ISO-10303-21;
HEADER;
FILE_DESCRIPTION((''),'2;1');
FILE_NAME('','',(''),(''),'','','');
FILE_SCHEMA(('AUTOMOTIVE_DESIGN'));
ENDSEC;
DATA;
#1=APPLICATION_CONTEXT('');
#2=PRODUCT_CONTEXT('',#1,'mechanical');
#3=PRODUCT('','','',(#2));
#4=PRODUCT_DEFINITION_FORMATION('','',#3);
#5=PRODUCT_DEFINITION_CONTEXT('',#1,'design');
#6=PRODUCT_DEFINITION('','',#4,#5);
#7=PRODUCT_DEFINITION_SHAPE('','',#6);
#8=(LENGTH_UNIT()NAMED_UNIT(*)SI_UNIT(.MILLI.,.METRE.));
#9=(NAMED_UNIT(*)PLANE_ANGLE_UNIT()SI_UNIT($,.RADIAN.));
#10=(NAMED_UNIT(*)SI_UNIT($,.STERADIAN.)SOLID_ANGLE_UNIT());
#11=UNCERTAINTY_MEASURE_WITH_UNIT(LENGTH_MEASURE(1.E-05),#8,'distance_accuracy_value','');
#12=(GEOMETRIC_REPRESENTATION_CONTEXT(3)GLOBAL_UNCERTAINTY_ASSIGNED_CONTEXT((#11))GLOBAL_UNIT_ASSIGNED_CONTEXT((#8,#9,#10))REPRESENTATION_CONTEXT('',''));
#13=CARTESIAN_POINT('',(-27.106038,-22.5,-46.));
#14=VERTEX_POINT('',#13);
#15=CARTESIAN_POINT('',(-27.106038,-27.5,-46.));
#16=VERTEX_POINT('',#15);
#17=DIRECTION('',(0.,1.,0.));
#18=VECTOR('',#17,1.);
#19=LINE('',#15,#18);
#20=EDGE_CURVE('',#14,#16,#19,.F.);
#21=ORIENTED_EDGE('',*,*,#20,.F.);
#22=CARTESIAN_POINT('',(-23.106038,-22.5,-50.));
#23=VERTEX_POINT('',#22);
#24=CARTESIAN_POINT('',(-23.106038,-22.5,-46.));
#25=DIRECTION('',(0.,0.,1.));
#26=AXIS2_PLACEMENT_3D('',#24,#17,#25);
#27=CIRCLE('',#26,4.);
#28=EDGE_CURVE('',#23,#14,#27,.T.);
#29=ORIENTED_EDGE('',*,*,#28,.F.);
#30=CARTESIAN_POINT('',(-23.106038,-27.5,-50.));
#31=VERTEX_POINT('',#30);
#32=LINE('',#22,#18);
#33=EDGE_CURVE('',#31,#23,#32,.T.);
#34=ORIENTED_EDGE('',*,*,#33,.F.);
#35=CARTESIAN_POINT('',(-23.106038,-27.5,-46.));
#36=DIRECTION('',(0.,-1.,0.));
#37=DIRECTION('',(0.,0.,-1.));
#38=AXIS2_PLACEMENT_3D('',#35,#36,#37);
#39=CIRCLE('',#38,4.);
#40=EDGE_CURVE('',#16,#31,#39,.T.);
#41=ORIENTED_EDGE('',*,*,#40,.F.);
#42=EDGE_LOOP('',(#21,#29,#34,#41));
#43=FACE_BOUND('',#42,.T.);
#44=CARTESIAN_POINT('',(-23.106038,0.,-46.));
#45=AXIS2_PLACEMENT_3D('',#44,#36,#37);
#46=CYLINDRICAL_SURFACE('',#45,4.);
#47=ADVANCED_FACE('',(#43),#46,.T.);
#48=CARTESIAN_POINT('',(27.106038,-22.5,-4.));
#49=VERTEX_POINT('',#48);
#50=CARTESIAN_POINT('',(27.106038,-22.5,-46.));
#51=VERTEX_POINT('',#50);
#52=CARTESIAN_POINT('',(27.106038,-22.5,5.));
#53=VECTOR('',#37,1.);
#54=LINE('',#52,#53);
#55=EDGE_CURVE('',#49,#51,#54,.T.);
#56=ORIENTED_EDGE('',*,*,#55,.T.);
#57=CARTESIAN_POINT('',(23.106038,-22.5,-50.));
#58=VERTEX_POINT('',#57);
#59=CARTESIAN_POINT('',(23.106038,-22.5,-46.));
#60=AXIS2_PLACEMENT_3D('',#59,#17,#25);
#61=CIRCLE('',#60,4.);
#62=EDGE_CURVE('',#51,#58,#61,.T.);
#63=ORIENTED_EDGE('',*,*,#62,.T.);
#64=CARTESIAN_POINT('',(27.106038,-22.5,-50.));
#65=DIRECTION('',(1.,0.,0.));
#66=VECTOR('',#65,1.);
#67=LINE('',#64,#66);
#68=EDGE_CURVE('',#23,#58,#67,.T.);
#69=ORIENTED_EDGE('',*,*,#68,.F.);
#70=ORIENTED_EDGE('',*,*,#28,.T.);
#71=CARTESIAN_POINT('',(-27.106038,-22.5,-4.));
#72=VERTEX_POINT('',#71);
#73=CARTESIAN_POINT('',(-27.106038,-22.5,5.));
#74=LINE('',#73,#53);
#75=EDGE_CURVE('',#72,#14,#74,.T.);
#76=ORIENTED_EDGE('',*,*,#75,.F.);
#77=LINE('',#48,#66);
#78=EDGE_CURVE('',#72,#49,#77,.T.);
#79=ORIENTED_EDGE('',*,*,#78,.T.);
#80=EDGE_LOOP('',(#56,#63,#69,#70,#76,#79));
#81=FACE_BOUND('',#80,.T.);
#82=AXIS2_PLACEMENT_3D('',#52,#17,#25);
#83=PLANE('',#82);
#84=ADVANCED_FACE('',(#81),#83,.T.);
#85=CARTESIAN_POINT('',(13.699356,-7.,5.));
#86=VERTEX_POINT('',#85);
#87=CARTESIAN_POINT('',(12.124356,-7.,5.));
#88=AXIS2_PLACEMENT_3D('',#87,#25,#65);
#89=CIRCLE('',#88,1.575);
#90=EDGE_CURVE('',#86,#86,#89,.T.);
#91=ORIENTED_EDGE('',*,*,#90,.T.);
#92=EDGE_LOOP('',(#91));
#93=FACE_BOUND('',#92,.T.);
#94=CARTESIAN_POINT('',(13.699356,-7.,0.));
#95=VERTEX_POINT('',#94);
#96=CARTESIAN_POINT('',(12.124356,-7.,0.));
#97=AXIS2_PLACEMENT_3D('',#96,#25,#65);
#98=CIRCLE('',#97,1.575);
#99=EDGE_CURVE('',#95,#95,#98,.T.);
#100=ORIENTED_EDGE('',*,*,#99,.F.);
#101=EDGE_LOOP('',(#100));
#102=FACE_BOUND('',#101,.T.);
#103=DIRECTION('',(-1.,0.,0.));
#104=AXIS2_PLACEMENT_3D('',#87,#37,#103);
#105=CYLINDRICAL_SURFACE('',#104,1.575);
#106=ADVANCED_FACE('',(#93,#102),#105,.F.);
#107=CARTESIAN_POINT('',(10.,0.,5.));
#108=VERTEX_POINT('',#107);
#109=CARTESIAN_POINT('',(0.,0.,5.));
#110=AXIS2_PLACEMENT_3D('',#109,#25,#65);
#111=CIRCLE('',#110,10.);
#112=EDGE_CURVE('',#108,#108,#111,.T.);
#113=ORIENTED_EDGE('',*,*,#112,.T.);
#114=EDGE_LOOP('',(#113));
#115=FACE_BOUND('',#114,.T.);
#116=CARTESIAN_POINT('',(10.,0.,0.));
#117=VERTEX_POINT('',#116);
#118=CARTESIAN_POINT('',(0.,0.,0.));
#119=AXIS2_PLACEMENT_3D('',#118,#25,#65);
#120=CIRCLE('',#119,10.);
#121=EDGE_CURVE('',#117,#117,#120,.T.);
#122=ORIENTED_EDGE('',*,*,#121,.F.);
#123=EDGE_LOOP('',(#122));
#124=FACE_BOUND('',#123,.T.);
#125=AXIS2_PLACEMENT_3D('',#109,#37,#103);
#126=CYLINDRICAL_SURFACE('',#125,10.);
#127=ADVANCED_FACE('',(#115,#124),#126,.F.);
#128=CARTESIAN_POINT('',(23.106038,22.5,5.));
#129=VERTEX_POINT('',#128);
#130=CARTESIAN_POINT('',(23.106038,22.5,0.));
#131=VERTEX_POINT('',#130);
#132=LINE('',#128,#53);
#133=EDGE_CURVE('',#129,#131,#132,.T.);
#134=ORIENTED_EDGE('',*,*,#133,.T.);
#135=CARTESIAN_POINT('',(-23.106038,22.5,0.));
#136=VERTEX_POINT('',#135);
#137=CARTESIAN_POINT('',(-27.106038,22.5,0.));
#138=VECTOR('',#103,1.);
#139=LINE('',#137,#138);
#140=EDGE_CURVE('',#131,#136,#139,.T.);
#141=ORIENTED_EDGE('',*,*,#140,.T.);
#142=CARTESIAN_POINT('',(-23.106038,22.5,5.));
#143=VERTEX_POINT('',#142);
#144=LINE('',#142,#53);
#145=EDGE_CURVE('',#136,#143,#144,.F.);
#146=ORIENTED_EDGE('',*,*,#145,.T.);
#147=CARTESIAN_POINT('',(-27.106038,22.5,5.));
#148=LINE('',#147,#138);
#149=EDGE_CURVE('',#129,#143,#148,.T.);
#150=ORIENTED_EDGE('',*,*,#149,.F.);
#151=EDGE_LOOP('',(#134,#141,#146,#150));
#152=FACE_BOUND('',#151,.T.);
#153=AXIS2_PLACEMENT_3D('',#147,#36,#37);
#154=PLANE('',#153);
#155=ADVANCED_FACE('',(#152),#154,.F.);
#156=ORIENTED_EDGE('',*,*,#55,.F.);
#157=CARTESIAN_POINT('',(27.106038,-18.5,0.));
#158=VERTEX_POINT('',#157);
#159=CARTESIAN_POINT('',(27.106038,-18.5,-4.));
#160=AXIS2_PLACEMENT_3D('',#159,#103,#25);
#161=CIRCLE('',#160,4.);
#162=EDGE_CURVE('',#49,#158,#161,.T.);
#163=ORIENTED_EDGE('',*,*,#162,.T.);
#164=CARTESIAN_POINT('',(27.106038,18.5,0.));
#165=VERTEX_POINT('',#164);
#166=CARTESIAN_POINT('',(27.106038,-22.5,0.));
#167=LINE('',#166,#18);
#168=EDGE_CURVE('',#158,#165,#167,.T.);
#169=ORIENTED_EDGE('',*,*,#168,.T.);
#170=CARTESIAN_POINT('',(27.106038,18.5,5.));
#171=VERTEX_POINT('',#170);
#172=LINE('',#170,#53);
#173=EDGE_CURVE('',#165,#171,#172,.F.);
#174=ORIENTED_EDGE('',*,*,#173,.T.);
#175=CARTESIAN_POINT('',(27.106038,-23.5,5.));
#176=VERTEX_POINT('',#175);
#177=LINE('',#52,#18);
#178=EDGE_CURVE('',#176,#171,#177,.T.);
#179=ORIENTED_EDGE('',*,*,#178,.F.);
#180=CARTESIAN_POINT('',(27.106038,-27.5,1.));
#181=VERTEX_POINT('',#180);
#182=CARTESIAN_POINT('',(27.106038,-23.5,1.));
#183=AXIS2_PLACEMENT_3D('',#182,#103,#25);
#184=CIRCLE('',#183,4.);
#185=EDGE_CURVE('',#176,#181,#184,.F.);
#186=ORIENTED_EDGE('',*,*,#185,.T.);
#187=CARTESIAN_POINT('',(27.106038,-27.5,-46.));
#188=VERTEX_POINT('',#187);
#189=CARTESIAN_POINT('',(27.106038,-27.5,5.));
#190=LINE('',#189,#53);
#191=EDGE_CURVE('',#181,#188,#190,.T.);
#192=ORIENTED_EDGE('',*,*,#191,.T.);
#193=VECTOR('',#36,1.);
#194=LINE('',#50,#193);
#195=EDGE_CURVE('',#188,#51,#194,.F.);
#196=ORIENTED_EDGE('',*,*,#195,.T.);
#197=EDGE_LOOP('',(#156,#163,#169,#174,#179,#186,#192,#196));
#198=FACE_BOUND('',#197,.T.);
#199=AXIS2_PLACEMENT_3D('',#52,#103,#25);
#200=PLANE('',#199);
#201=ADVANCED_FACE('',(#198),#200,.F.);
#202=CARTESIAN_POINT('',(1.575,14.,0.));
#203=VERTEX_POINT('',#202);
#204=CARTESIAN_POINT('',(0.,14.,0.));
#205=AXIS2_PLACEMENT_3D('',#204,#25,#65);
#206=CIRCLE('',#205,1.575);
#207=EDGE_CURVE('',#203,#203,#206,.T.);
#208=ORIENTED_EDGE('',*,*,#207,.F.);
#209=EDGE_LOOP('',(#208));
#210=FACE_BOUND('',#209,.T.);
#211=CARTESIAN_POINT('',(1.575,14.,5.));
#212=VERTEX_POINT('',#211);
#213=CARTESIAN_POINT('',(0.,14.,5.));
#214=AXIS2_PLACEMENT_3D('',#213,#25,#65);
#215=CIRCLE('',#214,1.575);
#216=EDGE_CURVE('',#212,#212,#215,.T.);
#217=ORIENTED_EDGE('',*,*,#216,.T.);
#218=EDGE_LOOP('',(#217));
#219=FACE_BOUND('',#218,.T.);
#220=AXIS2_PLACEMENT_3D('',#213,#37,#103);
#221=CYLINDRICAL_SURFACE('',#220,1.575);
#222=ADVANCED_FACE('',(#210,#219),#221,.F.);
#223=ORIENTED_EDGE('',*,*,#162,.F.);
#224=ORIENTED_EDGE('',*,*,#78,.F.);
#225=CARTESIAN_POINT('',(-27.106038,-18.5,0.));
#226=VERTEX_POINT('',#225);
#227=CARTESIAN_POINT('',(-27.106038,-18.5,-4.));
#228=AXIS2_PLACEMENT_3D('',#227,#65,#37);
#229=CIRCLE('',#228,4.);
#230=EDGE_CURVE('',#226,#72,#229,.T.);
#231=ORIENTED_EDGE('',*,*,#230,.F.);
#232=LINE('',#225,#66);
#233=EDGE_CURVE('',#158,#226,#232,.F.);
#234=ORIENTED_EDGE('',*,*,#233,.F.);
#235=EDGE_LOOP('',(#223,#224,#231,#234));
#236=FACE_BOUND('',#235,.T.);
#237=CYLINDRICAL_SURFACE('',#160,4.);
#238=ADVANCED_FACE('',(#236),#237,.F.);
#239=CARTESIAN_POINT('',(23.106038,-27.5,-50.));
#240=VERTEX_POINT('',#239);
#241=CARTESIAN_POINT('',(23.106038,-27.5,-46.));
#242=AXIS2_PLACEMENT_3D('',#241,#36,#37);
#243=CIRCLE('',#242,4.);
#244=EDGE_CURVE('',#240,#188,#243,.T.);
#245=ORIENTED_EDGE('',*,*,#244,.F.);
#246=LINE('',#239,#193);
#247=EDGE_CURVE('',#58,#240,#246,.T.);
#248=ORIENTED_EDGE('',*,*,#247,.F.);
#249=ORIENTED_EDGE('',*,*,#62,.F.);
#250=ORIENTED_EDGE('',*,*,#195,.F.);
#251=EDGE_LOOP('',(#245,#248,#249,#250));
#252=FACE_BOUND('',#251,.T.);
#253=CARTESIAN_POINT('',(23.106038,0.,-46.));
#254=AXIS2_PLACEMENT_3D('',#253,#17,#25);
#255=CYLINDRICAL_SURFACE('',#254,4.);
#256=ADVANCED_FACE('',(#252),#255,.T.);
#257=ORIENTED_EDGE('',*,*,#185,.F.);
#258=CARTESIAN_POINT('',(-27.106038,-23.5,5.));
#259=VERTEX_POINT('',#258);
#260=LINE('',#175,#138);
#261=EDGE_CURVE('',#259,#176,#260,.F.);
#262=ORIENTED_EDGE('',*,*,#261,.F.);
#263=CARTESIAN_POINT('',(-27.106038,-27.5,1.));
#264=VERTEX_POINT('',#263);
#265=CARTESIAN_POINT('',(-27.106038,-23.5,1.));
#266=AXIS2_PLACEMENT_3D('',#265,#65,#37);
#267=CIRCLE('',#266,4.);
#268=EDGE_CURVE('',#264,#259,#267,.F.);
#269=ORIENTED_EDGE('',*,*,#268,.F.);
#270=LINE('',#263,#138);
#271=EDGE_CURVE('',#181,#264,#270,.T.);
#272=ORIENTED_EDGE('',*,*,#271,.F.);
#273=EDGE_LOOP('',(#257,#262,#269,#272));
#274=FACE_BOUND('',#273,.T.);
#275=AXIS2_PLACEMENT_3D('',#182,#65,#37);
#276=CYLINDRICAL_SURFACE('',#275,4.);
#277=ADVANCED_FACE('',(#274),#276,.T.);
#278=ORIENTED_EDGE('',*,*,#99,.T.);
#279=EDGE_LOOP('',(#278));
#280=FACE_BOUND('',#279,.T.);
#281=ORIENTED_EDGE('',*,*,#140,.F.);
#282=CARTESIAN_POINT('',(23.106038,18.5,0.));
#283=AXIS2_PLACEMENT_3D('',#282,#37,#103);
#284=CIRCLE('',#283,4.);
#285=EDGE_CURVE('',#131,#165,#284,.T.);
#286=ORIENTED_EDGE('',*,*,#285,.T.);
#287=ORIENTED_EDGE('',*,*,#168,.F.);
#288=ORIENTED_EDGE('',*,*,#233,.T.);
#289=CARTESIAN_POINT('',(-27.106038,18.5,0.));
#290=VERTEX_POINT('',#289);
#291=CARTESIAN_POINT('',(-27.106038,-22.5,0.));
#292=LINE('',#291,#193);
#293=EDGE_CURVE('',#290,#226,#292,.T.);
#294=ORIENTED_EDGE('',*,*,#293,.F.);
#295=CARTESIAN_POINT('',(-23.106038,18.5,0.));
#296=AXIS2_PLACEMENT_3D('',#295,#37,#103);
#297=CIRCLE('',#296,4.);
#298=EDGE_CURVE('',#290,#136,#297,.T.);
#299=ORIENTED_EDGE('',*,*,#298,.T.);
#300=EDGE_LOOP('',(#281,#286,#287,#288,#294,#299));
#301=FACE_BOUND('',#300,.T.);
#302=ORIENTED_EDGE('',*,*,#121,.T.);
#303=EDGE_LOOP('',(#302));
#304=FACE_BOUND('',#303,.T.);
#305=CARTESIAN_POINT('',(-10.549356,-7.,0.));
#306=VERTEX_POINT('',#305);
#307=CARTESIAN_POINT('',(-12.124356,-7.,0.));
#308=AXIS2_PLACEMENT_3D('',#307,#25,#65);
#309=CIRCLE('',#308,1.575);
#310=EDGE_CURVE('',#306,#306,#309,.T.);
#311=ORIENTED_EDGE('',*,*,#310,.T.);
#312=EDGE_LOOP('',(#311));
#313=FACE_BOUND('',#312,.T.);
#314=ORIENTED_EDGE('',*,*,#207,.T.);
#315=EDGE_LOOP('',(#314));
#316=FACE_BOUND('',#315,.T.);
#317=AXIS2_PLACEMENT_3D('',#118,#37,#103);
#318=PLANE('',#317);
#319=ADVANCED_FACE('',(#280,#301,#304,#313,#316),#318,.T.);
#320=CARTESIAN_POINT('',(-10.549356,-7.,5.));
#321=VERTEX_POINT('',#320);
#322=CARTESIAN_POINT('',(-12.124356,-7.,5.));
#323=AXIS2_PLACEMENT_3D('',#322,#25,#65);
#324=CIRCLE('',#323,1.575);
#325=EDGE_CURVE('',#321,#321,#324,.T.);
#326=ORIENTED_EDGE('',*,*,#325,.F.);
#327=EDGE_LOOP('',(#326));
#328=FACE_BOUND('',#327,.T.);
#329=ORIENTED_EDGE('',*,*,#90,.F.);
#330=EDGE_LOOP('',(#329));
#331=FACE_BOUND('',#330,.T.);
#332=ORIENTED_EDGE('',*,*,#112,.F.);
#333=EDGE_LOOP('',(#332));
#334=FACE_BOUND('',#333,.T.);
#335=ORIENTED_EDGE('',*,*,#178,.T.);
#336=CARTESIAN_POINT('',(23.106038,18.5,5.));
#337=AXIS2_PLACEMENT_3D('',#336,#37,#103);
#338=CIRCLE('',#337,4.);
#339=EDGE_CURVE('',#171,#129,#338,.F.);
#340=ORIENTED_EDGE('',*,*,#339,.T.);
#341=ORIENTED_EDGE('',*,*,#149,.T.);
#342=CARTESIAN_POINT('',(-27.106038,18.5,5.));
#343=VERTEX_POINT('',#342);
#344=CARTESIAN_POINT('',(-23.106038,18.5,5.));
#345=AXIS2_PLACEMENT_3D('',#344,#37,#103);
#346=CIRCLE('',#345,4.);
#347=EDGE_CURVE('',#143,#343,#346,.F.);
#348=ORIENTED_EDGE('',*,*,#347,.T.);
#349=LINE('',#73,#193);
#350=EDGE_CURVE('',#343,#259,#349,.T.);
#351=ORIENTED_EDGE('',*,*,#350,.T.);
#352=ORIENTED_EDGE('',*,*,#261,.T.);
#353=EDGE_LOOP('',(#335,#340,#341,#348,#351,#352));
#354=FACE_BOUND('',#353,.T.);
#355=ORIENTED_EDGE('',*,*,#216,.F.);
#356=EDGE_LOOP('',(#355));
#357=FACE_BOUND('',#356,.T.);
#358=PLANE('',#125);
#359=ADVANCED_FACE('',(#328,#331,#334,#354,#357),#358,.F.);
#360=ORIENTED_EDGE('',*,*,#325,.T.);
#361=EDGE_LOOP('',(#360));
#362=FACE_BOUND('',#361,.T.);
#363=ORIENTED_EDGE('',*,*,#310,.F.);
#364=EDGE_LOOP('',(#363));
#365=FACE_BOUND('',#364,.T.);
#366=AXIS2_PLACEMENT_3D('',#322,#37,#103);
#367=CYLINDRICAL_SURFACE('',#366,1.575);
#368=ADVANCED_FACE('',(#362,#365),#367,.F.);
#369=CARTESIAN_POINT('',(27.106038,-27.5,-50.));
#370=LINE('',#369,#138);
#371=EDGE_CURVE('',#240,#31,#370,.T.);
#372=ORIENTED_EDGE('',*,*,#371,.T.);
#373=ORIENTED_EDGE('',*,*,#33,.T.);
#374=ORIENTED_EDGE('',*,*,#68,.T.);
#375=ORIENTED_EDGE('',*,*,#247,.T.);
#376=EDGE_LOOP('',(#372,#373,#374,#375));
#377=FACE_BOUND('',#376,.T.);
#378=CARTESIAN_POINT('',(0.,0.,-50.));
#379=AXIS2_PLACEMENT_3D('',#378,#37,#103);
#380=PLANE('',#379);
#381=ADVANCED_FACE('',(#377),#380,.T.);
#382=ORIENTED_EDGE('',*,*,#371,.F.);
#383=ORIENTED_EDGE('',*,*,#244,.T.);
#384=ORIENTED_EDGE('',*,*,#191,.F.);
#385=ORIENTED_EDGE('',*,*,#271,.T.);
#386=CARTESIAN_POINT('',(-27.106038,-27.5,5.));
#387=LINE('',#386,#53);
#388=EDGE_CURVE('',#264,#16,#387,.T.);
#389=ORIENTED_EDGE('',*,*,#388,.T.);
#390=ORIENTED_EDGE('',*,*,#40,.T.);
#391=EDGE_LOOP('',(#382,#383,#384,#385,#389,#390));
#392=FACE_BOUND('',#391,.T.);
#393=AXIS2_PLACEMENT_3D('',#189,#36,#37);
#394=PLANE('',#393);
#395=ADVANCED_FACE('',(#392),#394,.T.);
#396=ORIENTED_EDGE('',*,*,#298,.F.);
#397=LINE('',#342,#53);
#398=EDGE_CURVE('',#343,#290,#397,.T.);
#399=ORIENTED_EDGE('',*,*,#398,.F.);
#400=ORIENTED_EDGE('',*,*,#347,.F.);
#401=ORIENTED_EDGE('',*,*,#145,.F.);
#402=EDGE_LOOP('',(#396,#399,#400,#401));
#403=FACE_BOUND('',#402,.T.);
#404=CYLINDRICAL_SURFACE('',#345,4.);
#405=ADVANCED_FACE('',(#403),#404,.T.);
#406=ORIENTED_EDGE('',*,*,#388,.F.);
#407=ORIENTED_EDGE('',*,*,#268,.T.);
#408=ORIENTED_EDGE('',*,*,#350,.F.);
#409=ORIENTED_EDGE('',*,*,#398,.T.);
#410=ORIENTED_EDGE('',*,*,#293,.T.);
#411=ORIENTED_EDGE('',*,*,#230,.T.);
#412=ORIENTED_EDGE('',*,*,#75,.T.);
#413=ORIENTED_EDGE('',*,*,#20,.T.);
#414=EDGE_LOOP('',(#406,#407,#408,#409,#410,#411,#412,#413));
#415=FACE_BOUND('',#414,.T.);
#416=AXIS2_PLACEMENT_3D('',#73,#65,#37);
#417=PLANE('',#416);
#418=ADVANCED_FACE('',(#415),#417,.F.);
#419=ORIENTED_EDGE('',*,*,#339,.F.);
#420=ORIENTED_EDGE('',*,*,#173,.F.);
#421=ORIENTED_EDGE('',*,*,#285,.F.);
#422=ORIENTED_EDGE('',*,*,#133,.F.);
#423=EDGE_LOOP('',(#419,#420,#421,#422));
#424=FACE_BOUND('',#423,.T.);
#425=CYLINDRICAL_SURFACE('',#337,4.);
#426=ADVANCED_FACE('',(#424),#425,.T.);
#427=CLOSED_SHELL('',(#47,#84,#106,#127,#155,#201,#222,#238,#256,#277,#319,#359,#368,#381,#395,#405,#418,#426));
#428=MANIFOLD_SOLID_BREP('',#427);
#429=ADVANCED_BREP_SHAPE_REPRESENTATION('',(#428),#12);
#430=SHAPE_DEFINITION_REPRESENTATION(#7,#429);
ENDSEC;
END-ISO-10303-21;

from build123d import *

# Parameters (mm, degrees)
SKETCH1_W                = 54.212076584
SKETCH1_H                = 45
SKETCH1_R                = 10
SKETCH1_R_2              = 1.575
BOSS_EXTRUDE1_DEPTH      = 5
BOSS_EXTRUDE2_DEPTH      = 50
BOSS_EXTRUDE2_DEPTH_BACK = 5
SKETCH2_W                = 54.212076584
SKETCH2_H                = 5
FILLET3_R                = 4


with BuildPart() as part:
    # Sketch1 → Boss-Extrude1 (new body)
    with BuildSketch(Plane.XY):
        Rectangle(SKETCH1_W, SKETCH1_H)
        Circle(SKETCH1_R, mode=Mode.SUBTRACT)
        with Locations((0, 14)):
            Circle(SKETCH1_R_2, mode=Mode.SUBTRACT)
        with Locations((12.124355653, -7)):
            Circle(SKETCH1_R_2, mode=Mode.SUBTRACT)
        with Locations((-12.124355653, -7)):
            Circle(SKETCH1_R_2, mode=Mode.SUBTRACT)
    extrude(amount=BOSS_EXTRUDE1_DEPTH)

    # Sketch2 → Boss-Extrude2 (add, two sides: drawn at the far end of the back side and taken through both)
    with BuildSketch(Plane(origin=(0, 0, 0), x_dir=(-1, 0, 0), z_dir=(0, 0, -1)).offset(-BOSS_EXTRUDE2_DEPTH_BACK)):
        with Locations((0, -25)):
            Rectangle(SKETCH2_W, SKETCH2_H)
    extrude(amount=BOSS_EXTRUDE2_DEPTH + BOSS_EXTRUDE2_DEPTH_BACK)

    # Fillet3
    fillet3_edges = [part.edges().sort_by_distance(p)[0] for p in [
        (0, -27.5, 5),
        (27.106038292, -25, -50),
        (-27.106038292, -25, -50),
        (0, -22.5, 0),
        (-27.106038292, 22.5, 2.5),
        (27.106038292, 22.5, 2.5),
    ]]
    fillet(fillet3_edges, radius=FILLET3_R)


solid = part.part
